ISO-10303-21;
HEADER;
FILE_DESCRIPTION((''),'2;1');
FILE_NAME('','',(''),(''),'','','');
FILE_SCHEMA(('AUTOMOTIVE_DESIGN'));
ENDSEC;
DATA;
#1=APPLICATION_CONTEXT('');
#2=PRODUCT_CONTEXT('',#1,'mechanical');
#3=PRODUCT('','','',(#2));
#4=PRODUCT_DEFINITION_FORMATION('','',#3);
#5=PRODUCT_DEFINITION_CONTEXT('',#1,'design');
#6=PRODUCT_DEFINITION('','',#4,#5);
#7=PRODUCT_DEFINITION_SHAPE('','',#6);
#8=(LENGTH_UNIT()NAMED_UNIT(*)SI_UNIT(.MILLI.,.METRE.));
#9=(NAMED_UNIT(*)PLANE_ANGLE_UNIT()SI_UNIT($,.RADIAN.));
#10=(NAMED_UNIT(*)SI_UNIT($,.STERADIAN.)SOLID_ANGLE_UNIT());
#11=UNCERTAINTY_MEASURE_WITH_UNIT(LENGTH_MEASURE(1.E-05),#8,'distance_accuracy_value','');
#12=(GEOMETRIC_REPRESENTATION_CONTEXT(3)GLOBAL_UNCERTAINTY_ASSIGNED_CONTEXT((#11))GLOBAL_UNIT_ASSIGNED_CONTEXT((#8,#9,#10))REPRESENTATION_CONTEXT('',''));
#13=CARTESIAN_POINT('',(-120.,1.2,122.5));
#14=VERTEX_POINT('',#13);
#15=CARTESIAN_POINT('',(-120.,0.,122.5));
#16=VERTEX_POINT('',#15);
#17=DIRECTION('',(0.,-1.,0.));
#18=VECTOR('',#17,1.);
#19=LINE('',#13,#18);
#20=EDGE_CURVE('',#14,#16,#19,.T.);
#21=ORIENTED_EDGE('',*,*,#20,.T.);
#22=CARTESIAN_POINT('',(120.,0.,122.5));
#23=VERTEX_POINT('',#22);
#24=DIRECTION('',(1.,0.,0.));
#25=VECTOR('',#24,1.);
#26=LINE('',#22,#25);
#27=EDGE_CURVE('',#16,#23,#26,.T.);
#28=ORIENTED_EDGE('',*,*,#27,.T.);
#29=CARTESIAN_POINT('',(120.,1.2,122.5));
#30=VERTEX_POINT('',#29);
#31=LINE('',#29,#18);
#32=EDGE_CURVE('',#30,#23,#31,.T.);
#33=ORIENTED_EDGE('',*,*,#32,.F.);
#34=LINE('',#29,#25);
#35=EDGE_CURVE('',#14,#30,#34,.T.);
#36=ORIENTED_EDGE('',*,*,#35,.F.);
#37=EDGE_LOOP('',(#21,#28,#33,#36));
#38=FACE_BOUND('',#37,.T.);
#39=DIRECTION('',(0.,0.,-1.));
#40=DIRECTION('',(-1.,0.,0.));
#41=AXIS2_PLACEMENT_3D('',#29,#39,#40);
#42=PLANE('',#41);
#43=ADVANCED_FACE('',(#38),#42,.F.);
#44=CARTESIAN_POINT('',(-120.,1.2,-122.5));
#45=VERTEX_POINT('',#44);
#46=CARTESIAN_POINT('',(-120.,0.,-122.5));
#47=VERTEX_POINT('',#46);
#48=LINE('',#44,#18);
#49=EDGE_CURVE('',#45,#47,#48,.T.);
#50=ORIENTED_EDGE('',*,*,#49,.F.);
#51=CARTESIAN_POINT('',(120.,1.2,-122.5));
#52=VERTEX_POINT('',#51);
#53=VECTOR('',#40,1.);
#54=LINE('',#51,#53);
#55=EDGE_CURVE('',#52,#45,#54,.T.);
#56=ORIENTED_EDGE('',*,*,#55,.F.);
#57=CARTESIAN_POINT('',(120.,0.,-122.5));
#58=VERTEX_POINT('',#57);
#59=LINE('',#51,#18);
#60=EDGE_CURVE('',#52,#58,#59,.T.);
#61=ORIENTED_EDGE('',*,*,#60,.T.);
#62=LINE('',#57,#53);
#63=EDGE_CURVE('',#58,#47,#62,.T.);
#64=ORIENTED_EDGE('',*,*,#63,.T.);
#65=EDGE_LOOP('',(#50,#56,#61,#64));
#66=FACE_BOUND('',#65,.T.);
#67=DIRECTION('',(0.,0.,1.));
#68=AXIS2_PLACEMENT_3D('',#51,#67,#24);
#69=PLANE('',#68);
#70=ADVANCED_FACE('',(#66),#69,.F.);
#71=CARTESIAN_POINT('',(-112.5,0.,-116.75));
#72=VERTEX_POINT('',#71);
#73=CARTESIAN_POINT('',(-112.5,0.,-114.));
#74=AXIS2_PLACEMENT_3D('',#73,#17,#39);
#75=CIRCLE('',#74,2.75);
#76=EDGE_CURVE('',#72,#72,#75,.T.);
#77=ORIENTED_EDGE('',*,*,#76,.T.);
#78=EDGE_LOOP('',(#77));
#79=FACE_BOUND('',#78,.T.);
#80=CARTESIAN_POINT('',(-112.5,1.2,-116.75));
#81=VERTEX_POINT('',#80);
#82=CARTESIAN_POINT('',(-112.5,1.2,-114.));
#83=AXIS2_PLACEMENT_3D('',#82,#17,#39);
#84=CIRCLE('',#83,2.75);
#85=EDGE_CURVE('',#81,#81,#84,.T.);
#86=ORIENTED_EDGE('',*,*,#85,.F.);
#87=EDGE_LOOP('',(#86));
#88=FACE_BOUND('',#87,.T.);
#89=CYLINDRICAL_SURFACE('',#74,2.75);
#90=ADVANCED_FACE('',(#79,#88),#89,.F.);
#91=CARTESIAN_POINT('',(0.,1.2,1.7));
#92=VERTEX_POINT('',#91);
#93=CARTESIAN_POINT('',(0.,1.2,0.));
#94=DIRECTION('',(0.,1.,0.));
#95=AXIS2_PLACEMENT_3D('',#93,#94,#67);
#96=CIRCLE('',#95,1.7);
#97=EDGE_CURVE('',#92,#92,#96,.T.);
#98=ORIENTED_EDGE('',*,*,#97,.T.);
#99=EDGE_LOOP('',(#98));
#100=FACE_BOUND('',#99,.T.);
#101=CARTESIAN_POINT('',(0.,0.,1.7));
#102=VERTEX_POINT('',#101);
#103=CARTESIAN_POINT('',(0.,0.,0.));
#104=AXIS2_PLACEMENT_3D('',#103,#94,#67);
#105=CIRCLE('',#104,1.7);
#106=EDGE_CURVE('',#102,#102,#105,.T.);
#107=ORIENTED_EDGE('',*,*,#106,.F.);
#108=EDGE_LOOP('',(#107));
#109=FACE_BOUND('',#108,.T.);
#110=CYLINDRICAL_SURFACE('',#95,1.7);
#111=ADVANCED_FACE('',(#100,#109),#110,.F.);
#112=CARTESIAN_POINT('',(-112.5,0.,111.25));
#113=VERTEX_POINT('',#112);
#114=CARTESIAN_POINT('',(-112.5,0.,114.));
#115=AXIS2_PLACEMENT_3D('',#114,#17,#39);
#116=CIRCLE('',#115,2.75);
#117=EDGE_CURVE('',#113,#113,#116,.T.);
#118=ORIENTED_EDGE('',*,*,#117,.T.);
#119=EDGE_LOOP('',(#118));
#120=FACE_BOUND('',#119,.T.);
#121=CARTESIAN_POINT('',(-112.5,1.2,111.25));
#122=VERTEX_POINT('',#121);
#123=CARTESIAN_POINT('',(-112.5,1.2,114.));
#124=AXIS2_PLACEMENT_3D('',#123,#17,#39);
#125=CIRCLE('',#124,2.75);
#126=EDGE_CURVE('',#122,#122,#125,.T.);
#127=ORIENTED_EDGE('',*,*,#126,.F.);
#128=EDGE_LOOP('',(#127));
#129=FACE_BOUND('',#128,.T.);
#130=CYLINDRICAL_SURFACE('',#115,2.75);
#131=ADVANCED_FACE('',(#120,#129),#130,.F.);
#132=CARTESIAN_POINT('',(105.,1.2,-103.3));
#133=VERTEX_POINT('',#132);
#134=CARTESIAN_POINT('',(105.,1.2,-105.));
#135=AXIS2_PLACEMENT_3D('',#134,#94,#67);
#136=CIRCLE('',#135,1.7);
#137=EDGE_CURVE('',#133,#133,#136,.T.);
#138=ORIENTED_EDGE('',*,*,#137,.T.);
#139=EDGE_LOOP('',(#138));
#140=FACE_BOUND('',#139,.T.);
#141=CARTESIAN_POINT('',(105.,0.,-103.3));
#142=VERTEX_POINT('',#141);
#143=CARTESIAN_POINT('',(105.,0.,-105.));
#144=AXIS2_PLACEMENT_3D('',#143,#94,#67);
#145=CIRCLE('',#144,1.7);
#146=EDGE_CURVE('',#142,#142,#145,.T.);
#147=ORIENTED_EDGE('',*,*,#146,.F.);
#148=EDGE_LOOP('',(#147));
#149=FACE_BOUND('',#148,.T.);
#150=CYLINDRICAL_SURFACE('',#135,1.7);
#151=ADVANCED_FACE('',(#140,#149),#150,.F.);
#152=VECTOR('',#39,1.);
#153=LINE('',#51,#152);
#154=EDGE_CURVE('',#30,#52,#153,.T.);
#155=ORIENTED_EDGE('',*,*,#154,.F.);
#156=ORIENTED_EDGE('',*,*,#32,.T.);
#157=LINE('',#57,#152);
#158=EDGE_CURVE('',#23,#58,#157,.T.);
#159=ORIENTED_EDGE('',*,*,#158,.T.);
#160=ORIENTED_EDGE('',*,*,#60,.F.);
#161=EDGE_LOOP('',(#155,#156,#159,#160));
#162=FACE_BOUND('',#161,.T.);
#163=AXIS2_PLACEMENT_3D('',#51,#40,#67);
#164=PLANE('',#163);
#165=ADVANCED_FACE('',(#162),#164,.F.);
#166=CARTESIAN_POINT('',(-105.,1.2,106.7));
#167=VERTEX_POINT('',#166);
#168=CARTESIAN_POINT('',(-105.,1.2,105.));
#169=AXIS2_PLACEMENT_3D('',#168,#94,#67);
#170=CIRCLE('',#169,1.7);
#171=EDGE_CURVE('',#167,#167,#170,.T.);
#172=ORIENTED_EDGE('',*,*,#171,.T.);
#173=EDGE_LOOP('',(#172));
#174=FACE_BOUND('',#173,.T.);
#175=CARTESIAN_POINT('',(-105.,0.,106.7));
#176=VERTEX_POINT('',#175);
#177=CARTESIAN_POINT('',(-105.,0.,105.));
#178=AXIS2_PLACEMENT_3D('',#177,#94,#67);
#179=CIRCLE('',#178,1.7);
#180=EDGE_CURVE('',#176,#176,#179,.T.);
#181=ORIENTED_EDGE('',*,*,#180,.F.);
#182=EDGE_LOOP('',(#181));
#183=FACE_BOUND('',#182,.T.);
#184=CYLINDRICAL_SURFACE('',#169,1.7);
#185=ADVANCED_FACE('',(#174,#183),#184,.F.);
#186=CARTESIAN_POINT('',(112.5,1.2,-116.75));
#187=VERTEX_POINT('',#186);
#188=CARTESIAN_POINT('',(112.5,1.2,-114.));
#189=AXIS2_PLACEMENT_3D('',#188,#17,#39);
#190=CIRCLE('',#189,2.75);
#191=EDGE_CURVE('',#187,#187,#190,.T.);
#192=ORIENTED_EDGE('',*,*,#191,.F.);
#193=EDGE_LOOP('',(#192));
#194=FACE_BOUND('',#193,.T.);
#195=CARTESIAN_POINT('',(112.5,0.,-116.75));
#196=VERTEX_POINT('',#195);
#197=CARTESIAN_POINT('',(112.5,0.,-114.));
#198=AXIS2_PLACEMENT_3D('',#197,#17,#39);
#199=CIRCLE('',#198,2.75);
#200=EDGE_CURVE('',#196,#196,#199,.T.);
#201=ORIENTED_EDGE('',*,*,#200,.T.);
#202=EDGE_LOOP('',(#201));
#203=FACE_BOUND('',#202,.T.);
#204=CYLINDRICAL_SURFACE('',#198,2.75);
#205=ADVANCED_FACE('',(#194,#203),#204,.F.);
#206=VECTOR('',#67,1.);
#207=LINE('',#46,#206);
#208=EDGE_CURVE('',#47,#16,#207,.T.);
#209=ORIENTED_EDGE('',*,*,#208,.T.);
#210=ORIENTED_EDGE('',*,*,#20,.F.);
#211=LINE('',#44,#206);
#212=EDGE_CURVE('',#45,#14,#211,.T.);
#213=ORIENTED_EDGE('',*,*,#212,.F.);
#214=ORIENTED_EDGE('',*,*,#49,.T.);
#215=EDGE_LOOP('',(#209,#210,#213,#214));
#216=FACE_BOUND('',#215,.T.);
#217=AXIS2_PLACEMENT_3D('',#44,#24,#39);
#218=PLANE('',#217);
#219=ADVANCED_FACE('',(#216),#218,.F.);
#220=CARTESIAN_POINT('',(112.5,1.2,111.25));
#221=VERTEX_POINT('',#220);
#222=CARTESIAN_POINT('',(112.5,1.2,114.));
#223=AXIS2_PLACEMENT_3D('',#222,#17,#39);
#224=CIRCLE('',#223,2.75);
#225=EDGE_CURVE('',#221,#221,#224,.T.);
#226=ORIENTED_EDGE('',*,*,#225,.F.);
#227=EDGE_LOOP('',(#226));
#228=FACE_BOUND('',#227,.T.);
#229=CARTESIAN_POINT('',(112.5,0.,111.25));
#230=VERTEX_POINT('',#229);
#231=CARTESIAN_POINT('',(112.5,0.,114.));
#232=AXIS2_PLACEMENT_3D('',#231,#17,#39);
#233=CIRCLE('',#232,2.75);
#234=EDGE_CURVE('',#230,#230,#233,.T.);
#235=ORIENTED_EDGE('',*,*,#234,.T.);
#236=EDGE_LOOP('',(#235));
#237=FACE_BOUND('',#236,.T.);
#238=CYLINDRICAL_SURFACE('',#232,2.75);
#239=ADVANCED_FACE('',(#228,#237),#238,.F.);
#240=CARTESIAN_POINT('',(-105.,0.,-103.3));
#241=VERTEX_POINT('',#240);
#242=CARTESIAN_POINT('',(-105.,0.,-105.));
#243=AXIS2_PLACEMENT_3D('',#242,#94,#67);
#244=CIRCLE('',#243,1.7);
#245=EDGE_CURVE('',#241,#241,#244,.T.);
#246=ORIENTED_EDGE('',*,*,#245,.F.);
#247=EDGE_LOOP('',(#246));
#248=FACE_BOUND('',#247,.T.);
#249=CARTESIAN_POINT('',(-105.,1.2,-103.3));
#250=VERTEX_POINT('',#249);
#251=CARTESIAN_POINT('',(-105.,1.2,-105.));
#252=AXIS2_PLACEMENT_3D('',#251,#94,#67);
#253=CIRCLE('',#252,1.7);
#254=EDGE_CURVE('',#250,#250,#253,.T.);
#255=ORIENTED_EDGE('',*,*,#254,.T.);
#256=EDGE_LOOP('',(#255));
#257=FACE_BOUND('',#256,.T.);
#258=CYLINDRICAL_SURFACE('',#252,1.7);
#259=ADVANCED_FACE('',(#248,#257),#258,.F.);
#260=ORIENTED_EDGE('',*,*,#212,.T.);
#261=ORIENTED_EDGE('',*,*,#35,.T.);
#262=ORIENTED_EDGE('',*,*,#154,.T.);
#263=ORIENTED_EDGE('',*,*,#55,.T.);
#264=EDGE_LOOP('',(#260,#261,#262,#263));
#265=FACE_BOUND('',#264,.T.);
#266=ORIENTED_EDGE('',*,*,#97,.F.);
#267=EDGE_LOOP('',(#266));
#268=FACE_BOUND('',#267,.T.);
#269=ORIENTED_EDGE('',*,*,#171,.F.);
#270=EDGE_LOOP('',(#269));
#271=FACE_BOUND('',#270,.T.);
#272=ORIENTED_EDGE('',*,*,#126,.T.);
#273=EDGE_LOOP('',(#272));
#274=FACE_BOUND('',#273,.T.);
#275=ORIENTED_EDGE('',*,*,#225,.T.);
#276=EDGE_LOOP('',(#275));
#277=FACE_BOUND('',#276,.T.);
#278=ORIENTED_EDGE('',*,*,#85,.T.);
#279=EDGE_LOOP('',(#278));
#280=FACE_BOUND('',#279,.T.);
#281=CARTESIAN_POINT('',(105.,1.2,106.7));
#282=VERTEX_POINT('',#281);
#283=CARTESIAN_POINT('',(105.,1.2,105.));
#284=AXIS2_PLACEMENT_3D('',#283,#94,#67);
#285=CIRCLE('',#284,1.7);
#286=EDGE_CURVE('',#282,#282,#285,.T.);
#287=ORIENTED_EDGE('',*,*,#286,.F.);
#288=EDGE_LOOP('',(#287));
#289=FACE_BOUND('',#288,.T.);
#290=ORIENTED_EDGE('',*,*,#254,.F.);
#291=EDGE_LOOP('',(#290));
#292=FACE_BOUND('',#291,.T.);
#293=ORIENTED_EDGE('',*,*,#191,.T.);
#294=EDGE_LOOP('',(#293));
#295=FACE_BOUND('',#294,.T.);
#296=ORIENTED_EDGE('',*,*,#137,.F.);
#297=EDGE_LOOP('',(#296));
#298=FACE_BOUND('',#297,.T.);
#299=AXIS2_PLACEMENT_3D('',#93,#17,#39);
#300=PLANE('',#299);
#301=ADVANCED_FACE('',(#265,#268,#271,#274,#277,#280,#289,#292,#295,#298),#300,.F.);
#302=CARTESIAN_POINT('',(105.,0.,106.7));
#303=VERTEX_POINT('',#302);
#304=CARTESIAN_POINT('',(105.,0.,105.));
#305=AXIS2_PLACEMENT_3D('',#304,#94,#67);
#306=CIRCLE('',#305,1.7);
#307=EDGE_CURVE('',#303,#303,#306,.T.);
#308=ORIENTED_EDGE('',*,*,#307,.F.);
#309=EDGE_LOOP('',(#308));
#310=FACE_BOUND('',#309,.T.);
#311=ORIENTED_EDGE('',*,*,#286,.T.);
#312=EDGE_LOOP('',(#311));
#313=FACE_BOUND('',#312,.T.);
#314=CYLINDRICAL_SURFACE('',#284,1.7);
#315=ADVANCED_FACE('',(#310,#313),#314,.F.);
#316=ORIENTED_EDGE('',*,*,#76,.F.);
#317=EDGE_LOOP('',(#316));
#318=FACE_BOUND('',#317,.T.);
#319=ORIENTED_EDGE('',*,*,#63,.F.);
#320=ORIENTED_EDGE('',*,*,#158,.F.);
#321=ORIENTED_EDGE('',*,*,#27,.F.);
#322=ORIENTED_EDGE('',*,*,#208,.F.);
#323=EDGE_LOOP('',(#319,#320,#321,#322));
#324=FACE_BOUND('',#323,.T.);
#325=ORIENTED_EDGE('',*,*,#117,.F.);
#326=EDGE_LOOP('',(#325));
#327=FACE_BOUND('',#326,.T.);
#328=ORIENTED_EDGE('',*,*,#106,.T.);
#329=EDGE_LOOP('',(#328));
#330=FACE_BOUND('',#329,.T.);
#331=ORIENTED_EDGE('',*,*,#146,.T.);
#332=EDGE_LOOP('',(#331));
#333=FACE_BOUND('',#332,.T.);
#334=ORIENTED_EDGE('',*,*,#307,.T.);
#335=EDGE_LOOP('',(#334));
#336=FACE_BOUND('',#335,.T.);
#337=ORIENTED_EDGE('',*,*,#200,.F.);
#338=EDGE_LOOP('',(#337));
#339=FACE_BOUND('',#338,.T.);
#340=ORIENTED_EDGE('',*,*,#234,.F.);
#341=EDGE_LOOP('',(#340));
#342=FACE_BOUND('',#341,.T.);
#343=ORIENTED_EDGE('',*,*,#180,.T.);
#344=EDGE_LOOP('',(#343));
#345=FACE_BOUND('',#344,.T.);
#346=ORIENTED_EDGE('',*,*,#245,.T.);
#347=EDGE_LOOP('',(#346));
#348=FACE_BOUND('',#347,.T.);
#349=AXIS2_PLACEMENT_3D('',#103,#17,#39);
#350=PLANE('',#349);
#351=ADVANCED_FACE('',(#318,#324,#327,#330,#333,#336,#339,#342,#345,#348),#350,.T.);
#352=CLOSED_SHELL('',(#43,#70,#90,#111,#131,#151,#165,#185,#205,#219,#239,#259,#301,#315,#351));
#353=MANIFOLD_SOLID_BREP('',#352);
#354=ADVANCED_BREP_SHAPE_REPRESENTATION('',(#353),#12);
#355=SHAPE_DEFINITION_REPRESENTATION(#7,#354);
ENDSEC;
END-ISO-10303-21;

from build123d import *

# Parameters (mm, degrees)
SKETCH1_W            = 240
SKETCH1_H            = 245
BOSS_EXTRUDE1_DEPTH  = 1.2
M3_CLEARANCE_HOLE1_D = 3.4
M5_CLEARANCE_HOLE1_D = 5.5


with BuildPart() as part:
    # Sketch1 → Boss-Extrude1 (new body)
    with BuildSketch(Plane(origin=(0, 0, 0), x_dir=(1, 0, 0), z_dir=(0, 1, 0))):
        Rectangle(SKETCH1_W, SKETCH1_H)
    extrude(amount=BOSS_EXTRUDE1_DEPTH)

    # M3 Clearance Hole1 (through all)
    with Locations(Plane(origin=(0, 1.2, 0), x_dir=(1, 0, 0), z_dir=(0, 1, 0))):
        with Locations((0, 0), (105, 105), (-105, -105), (-105, 105), (105, -105)):
            Hole(M3_CLEARANCE_HOLE1_D / 2)

    # M5 Clearance Hole1 (through all)
    with Locations(Plane(origin=(0, 0, 0), x_dir=(-1, 0, 0), z_dir=(0, -1, 0))):
        with Locations((-112.5, -114), (112.5, 114), (112.5, -114), (-112.5, 114)):
            Hole(M5_CLEARANCE_HOLE1_D / 2)


solid = part.part
